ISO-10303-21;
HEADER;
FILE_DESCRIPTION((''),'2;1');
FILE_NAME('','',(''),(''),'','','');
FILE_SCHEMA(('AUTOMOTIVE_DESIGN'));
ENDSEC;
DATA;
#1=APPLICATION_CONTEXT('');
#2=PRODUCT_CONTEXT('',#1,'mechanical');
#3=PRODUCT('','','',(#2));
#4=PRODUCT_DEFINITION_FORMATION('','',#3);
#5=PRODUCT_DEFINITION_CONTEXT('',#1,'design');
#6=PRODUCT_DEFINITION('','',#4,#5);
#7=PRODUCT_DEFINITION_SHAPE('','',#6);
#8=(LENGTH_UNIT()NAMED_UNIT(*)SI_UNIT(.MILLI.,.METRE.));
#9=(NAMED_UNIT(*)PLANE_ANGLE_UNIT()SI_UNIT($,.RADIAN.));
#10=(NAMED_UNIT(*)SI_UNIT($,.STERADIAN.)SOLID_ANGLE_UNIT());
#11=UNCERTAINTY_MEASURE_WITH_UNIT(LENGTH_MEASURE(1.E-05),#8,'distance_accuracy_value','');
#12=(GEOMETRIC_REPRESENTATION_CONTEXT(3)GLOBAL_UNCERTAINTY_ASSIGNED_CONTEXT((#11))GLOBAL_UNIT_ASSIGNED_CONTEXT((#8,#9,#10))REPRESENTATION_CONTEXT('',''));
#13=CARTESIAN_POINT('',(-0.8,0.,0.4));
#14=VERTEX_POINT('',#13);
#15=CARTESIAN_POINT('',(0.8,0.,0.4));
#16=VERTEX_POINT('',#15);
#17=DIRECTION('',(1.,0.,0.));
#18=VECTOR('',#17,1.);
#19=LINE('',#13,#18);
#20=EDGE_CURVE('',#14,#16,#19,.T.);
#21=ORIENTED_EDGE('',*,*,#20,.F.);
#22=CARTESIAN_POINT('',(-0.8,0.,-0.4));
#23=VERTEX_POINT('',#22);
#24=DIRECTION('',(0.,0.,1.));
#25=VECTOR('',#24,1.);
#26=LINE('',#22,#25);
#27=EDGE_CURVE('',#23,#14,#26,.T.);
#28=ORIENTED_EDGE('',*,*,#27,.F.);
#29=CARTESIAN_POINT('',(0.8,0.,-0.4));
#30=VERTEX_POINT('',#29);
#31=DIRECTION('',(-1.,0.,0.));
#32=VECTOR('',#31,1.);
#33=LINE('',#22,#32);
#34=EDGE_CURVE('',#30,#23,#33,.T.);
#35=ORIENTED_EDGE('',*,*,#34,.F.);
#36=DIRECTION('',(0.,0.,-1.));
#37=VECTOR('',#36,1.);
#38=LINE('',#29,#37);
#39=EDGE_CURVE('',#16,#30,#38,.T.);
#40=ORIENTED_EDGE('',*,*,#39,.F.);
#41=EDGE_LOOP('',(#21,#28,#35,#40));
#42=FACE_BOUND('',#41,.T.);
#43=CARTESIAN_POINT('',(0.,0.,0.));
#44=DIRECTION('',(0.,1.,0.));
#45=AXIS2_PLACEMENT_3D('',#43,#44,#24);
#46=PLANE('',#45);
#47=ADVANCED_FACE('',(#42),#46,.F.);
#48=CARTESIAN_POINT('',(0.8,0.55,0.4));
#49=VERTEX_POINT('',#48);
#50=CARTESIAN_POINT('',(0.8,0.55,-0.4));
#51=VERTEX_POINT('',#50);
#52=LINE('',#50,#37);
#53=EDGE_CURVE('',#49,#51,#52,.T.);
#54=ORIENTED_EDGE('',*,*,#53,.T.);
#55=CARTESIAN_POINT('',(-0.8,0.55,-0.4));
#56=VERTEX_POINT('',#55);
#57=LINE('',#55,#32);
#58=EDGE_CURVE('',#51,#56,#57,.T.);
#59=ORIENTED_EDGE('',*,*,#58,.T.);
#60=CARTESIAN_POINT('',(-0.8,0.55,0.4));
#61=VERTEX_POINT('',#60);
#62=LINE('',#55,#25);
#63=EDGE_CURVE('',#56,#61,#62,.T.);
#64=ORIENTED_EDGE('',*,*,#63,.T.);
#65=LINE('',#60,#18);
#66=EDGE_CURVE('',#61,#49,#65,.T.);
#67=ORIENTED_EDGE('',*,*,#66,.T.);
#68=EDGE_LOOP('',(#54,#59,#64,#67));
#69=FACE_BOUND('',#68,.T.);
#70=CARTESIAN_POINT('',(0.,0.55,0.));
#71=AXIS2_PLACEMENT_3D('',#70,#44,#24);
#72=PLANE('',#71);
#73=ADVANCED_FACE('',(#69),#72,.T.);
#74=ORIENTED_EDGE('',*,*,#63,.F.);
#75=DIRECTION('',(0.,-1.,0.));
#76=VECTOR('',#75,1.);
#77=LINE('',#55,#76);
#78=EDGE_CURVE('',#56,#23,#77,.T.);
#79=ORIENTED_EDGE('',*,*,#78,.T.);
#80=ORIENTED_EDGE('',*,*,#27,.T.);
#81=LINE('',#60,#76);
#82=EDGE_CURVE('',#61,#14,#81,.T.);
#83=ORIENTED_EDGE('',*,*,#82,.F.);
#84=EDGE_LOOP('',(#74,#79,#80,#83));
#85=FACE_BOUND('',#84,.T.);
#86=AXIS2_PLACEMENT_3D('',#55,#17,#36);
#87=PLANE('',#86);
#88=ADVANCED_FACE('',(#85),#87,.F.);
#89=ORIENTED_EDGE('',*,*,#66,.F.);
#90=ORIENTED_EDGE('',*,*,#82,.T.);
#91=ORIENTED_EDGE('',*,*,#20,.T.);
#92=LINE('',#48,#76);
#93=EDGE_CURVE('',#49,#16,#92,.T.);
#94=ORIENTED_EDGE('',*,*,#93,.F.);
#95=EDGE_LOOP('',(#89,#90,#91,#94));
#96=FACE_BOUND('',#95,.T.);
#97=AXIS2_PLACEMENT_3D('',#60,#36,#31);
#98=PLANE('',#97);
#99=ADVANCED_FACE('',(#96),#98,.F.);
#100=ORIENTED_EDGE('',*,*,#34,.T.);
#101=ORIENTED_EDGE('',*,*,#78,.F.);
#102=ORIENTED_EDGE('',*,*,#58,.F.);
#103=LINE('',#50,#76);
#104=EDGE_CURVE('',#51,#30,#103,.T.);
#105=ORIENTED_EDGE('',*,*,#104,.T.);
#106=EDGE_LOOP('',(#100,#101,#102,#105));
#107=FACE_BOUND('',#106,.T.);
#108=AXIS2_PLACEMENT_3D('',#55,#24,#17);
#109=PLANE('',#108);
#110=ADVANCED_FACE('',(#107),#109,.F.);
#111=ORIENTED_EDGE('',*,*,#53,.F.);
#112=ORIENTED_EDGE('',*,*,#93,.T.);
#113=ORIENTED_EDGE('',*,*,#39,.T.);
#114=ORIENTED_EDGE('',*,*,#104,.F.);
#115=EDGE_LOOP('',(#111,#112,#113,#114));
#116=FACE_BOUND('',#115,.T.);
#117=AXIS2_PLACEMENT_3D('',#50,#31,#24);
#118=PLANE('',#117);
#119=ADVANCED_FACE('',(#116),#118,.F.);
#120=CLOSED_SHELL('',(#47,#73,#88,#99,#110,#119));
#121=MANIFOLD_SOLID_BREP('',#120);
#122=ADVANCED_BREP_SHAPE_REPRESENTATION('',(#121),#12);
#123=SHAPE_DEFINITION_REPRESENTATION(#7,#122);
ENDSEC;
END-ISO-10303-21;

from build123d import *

# Parameters (mm, degrees)
BASES_W    = 1.6
BASES_H    = 0.8
BASE_DEPTH = 0.55


with BuildPart() as part:
    # BaseS → Base (new body)
    with BuildSketch(Plane(origin=(0, 0, 0), x_dir=(1, 0, 0), z_dir=(0, 1, 0))):
        Rectangle(BASES_W, BASES_H)
    extrude(amount=BASE_DEPTH)


solid = part.part
